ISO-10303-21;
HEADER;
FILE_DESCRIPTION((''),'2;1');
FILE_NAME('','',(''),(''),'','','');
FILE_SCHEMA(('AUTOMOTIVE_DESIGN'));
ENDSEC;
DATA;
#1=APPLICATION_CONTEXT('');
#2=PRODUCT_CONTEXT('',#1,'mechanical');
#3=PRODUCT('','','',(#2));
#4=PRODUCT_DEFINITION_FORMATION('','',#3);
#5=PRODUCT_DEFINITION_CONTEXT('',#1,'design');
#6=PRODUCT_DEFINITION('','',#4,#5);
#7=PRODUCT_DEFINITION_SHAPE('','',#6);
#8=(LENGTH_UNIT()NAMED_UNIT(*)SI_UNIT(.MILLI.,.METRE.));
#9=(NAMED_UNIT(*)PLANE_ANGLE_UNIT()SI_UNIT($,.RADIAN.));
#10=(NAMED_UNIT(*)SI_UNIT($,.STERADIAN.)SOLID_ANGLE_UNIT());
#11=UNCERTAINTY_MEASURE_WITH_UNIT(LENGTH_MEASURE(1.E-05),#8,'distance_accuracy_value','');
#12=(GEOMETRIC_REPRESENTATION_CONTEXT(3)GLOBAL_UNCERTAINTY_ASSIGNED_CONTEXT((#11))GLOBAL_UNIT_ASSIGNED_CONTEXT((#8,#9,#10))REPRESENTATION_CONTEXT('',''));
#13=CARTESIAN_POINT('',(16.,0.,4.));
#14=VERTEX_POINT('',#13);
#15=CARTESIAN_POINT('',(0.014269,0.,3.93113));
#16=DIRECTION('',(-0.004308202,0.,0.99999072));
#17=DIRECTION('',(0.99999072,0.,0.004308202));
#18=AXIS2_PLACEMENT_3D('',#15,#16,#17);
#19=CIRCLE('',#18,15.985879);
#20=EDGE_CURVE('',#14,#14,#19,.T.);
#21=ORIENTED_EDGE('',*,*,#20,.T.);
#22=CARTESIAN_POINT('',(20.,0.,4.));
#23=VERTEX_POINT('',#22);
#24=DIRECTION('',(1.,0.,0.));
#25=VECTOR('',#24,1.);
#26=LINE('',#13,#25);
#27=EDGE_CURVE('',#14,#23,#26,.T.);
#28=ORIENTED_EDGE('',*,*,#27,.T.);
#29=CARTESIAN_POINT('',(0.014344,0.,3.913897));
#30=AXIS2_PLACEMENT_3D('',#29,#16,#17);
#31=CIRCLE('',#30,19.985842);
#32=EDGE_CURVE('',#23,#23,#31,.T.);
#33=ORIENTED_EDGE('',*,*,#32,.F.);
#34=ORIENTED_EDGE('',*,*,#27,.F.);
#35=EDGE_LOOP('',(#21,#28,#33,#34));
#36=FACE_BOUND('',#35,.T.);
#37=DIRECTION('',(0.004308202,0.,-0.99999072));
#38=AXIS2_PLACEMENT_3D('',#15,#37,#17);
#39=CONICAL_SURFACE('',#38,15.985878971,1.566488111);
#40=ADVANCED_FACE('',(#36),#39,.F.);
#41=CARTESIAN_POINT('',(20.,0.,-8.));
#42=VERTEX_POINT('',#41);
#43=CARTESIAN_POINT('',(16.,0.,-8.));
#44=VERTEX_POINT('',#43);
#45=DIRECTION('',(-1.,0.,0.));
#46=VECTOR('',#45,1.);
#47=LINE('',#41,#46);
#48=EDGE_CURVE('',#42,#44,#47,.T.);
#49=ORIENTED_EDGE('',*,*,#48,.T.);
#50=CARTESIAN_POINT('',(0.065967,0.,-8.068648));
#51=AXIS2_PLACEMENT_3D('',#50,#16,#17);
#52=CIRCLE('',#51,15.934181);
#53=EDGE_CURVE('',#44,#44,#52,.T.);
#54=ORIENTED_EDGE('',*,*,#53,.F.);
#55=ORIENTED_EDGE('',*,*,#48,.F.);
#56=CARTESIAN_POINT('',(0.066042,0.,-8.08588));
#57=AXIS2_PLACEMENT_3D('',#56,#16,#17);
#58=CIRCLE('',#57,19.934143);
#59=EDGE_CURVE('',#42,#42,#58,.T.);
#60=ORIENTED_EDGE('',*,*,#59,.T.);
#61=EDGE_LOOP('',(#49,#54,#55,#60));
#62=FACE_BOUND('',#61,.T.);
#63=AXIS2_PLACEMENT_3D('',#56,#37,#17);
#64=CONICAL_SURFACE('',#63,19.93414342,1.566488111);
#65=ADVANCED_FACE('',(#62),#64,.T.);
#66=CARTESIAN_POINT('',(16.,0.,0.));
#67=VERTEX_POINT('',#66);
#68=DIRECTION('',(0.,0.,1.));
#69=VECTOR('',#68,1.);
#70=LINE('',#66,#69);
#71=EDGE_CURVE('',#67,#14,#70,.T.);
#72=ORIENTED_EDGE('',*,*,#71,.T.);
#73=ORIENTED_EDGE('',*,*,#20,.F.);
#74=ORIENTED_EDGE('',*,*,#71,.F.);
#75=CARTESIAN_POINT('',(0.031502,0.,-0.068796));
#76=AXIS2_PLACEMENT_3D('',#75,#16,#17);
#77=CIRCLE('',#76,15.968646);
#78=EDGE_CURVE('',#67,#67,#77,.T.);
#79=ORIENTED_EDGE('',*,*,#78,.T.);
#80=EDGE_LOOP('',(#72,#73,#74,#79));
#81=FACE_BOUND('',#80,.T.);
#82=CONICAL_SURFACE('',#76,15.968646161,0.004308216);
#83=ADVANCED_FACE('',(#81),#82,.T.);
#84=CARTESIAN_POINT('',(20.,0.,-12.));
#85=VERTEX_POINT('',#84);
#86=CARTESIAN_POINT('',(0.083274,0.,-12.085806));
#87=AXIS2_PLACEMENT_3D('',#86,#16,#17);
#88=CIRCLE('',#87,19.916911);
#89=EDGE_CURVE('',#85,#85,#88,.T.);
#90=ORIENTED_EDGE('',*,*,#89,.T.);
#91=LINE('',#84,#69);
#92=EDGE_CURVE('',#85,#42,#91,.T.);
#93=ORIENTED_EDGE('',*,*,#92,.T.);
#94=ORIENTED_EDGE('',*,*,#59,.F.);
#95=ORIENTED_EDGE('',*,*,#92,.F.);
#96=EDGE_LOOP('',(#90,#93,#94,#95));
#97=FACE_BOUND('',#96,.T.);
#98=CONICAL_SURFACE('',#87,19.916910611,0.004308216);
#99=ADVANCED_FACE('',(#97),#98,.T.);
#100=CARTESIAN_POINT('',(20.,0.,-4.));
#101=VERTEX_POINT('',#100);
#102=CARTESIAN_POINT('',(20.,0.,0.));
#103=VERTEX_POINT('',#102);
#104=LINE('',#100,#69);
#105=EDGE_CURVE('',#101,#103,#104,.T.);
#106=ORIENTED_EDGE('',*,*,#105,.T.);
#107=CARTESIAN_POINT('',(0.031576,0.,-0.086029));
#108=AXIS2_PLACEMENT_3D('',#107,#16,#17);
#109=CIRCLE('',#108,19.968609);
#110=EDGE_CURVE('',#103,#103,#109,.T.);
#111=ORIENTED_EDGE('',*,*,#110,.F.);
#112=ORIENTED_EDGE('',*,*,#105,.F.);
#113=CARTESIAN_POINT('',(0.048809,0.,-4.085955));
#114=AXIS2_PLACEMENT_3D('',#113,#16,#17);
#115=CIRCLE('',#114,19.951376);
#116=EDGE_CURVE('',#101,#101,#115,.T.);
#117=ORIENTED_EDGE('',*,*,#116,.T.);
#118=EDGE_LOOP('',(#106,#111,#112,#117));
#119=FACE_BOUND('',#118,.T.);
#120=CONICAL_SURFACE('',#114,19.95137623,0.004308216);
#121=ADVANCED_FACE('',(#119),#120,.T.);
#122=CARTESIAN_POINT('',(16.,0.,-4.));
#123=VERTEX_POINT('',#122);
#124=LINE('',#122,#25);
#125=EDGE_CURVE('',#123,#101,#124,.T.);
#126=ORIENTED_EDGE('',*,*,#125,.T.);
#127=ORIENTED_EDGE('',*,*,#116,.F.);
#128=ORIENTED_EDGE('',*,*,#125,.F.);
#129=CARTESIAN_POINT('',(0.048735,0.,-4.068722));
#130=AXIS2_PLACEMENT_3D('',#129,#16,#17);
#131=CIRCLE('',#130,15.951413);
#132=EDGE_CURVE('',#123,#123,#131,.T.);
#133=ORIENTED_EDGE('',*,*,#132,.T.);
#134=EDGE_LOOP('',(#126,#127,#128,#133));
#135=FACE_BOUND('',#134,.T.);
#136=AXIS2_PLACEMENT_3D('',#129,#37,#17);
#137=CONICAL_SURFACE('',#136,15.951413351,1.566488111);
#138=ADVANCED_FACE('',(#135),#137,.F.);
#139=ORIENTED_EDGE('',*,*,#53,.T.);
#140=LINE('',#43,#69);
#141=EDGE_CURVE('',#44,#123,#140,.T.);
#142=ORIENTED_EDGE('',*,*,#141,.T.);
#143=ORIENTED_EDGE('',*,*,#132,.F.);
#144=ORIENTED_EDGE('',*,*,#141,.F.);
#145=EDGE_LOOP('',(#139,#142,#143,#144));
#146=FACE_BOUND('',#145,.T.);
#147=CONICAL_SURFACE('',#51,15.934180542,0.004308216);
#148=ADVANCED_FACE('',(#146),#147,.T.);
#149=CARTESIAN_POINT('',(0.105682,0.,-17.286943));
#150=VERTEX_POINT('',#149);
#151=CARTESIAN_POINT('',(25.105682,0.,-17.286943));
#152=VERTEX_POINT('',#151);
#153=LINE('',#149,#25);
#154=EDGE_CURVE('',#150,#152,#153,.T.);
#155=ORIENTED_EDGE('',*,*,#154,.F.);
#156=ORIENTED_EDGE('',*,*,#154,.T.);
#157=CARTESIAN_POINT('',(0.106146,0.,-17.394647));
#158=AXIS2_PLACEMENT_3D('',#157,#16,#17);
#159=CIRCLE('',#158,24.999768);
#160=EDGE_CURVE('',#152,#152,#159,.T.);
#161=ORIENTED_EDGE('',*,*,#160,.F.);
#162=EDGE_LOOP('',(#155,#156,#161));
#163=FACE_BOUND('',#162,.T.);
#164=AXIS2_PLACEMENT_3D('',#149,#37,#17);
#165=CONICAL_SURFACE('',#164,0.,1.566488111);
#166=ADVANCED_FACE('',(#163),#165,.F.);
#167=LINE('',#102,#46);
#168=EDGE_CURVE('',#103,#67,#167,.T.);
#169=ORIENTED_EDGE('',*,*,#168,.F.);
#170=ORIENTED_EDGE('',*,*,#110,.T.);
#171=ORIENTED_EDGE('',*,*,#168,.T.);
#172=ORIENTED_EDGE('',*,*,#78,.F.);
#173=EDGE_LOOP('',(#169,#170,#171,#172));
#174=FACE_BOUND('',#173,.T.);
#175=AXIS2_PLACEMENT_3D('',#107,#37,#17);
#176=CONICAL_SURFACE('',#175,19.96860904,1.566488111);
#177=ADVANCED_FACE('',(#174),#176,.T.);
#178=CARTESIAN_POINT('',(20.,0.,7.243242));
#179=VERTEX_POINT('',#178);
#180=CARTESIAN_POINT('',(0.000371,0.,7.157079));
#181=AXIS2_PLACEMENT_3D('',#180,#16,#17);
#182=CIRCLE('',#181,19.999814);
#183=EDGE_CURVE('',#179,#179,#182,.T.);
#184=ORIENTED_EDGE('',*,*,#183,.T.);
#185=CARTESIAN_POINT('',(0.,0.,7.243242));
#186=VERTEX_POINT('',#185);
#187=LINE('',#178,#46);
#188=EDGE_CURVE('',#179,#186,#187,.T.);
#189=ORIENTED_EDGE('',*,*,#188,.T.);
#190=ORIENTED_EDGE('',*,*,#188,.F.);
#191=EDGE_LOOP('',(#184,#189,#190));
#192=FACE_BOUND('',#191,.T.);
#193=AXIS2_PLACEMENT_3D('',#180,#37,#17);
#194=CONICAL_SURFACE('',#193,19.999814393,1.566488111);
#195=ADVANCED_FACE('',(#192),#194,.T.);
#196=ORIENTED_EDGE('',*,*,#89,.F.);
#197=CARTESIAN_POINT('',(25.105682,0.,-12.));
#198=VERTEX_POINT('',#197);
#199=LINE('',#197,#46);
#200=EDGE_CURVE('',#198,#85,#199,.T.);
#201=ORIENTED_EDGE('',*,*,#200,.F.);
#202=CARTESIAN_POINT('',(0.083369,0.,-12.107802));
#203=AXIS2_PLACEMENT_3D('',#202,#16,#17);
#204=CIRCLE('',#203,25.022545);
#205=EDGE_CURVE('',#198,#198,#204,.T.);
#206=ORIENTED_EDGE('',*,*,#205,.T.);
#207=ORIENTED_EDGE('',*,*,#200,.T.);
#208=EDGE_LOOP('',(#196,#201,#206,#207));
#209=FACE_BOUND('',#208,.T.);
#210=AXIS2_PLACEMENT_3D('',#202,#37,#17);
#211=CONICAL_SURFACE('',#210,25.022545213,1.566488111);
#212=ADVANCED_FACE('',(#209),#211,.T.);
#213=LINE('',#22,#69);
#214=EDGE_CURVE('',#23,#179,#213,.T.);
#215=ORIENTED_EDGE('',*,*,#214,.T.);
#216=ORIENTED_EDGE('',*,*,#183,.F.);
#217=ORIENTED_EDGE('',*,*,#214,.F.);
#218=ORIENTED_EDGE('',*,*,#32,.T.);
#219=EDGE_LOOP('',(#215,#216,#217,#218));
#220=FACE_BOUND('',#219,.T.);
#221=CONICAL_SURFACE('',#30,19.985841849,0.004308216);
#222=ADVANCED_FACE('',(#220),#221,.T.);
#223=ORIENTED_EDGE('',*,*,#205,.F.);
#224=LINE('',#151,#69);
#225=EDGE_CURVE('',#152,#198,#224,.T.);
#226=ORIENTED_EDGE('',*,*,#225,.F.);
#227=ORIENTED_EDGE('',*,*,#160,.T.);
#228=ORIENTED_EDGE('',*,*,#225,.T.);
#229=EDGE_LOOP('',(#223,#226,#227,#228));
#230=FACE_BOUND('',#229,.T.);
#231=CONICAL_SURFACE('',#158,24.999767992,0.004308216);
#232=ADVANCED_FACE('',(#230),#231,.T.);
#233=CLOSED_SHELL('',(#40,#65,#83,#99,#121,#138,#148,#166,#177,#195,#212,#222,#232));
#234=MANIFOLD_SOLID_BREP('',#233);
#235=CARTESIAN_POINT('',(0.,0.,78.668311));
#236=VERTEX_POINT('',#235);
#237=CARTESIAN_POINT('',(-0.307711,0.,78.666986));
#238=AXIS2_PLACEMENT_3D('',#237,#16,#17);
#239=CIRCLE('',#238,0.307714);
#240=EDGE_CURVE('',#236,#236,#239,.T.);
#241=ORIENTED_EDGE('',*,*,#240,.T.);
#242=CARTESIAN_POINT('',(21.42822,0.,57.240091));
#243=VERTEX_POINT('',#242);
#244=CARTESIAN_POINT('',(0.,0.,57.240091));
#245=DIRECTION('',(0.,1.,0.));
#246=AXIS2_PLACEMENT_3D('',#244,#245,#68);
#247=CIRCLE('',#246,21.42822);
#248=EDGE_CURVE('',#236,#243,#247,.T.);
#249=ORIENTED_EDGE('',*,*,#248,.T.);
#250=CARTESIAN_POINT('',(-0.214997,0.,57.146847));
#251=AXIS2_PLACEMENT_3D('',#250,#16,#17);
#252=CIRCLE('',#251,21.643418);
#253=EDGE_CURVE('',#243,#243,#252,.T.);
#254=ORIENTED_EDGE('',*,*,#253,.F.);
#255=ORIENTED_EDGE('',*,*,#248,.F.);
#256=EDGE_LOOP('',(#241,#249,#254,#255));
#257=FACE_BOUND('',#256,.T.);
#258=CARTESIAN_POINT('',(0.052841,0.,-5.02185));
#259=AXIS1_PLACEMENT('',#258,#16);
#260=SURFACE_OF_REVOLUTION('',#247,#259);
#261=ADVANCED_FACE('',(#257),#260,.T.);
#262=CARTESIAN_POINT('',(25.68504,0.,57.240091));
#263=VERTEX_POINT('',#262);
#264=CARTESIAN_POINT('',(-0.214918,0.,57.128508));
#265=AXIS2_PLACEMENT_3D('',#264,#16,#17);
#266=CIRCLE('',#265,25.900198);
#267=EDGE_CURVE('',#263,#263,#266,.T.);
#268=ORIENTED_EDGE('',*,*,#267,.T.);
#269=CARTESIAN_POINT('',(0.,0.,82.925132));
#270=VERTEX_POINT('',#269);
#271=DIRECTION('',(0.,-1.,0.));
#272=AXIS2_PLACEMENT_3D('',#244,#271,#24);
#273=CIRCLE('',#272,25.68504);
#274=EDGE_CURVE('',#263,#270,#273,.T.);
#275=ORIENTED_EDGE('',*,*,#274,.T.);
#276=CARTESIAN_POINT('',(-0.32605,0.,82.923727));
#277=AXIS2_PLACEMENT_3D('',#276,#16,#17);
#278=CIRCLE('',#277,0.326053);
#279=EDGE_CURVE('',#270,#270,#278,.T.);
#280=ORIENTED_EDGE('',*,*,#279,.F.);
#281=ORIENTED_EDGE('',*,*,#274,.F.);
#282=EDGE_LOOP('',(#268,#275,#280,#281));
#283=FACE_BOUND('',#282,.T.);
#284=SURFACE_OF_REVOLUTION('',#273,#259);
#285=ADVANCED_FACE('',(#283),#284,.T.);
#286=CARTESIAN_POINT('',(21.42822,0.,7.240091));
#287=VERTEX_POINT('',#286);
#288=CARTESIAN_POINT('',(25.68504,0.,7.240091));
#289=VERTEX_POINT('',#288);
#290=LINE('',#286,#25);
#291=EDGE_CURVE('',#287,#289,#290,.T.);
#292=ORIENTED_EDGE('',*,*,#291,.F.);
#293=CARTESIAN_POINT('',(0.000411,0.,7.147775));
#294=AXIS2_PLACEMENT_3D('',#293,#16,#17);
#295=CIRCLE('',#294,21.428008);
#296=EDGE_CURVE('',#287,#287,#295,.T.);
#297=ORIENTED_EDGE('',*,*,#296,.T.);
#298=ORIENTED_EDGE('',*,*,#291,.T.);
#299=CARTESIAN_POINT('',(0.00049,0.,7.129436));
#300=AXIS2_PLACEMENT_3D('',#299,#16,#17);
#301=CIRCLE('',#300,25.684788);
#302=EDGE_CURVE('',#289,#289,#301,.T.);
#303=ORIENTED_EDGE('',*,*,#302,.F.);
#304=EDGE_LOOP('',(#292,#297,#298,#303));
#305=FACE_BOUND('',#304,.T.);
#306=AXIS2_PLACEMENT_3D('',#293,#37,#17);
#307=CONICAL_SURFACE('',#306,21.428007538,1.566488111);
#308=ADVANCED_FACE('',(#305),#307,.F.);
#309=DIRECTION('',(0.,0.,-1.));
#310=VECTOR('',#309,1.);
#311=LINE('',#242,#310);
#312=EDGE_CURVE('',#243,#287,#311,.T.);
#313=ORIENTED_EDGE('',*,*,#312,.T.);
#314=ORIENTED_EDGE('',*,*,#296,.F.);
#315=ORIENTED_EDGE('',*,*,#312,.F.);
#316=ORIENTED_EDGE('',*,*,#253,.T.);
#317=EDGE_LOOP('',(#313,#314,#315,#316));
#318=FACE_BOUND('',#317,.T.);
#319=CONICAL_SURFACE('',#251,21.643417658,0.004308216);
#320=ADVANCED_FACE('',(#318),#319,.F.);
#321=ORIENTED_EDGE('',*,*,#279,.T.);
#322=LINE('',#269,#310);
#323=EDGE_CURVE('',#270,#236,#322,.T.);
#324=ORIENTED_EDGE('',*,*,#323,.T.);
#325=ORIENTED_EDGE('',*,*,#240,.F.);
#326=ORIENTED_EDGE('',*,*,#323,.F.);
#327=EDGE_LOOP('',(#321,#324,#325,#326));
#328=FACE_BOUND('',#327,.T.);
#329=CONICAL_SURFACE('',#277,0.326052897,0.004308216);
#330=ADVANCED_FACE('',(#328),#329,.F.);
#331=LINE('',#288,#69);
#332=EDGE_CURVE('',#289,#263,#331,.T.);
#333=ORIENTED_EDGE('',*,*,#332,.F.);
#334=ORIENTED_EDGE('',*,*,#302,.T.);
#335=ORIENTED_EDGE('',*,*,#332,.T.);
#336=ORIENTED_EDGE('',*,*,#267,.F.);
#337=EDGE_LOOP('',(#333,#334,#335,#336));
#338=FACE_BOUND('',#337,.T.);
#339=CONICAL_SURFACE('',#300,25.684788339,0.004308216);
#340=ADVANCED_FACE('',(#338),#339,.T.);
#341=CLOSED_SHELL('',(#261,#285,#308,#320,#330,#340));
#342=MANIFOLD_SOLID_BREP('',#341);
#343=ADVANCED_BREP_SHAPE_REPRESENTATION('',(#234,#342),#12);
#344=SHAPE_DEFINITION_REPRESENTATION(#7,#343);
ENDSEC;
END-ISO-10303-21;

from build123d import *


with BuildPart() as f1:
    # F0 (on Front) → F1 (revolve)
    with BuildSketch(Plane.XZ):
        Polygon((20, 7.2432420968), (0, 7.2432420968), (0.1056819842, -17.2869430801), (25.1056819842, -17.2869430801), (25.1056819842, -12), (20, -12), (20, -8), (16, -8), (16, -4), (20, -4), (20, 0), (16, 0), (16, 4), (20, 4), align=None)
    revolve(axis=Axis((0.0528409921, 0, -5.0218504916), (-0.0043082024, 0, 0.9999907197)))


with BuildPart() as f1b:
    # F0 (on Front) → F1, piece 2 (revolve)
    with BuildSketch(Plane.XZ):
        with BuildLine():
            Line((21.428219974, 57.2400912642), (21.428219974, 7.2400912642))
            Line((21.428219974, 7.2400912642), (25.6850402802, 7.2400912642))
            Line((25.6850402802, 7.2400912642), (25.6850402802, 57.2400912642))
            ThreePointArc((25.6850402802, 57.2400912642), (18.1620661572, 75.4021574214), (0, 82.9251315445))
            Line((0, 82.9251315445), (0, 78.6683112383))
            ThreePointArc((0, 78.6683112383), (15.1520396524, 72.3921309166), (21.428219974, 57.2400912642))
        make_face()
    revolve(axis=Axis((0.0528409921, 0, -5.0218504916), (-0.0043082024, 0, 0.9999907197)))


solid = Compound([f1.part, f1b.part])
